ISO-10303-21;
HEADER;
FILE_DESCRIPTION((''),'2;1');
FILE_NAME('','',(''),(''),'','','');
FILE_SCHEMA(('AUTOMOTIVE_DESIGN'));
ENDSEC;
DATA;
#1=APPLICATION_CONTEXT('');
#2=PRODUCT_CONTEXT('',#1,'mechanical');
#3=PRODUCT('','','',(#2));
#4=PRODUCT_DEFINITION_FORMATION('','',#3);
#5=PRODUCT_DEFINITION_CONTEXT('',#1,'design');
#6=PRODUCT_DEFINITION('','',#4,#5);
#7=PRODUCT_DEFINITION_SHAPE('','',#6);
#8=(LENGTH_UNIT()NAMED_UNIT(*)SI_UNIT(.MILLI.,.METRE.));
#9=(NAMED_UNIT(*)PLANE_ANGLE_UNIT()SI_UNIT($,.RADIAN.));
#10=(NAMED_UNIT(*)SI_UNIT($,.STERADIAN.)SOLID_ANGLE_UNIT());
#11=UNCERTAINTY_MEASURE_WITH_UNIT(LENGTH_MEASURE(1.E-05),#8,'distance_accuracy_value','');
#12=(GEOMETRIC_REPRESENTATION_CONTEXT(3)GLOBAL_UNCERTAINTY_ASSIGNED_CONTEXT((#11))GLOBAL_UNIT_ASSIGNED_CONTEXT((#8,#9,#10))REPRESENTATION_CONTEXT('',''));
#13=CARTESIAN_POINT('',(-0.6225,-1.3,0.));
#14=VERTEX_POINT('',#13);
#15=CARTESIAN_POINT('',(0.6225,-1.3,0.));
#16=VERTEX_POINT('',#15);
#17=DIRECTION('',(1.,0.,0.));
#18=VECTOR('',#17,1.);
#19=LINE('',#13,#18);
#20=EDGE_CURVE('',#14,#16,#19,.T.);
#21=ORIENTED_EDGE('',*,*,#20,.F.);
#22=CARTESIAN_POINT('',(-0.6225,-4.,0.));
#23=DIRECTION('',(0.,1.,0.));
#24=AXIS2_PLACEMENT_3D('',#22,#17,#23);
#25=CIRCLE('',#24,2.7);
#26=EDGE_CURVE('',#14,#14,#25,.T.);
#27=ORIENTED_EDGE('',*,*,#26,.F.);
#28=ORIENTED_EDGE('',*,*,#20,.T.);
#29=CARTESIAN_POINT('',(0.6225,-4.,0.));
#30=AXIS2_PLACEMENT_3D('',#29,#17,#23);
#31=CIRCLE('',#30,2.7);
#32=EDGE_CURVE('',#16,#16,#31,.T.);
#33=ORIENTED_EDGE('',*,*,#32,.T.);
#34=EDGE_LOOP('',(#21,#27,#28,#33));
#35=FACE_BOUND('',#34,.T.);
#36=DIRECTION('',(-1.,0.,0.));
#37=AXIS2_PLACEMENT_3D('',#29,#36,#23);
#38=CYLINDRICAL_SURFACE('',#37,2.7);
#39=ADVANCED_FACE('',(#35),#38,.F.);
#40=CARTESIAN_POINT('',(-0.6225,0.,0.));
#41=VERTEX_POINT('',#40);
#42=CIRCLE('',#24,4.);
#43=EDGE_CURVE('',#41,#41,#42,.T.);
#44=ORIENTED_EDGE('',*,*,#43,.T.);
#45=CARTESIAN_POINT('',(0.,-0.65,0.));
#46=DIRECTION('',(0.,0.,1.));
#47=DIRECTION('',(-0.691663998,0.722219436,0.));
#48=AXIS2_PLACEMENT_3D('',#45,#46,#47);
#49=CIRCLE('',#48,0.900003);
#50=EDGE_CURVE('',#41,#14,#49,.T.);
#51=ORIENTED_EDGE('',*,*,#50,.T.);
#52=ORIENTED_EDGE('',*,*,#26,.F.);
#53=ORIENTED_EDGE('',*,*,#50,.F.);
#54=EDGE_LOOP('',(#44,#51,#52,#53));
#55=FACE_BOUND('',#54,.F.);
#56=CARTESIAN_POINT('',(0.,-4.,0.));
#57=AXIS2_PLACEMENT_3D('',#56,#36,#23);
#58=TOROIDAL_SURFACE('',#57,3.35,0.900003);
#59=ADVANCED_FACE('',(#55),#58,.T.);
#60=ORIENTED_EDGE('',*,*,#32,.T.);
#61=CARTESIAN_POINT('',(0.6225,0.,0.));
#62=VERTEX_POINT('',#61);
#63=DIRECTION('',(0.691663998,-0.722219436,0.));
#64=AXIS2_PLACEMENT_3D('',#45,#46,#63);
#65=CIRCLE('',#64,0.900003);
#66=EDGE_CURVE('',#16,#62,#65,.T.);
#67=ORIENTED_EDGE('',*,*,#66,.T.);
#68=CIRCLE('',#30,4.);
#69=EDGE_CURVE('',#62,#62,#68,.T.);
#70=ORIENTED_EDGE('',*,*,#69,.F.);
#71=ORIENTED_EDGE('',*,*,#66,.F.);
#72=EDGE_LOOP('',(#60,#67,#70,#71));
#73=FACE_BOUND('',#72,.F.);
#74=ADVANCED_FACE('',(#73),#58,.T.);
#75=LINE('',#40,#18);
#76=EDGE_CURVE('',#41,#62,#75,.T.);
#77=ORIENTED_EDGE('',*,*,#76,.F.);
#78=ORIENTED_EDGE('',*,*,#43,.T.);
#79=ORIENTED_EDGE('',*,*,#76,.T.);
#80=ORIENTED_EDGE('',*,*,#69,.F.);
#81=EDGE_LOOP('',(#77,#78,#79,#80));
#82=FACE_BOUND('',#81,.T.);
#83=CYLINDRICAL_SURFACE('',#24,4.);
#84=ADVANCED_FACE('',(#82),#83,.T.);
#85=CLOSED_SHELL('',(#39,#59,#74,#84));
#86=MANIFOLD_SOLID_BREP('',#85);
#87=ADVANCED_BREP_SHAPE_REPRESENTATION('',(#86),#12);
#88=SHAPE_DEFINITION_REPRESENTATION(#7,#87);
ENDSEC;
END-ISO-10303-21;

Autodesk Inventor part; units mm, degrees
ref_plane "YZ Plane" through (0, 0, 0) normal (1, 0, 0) x (0, 1, 0)
ref_plane "XZ Plane" through (0, 0, 0) normal (0, 1, 0) x (-1, 0, 0)
ref_plane "XY Plane" through (0, 0, 0) normal (0, 0, 1) x (1, 0, 0)
sketch "Sketch1" plane through (0, 0, 0) normal (0, 0, 1) x (1, 0, 0)
  line L0 (-0.6225, 0) -> (0.6225, 0)
  line L1 (-2.4121, 0) -> (3.0062, 0) projected
  line L2 (0.6225, -1.3) -> (-0.6225, -1.3)
  arc A0 (-0.6225, 0) -> (-0.6225, -1.3) centre (0, -0.65) ccw
  line L3 (-1.6381, -4) -> (2.2322, -4)
  line L4 (0, 1.8) -> (0, -10.8) projected
  arc A1 (0.6225, -1.3) -> (0.6225, 0) centre (0, -0.65) ccw
  line L5 (0, 0) -> (0, 0) construction
  dimension "d0" = 5.4
  dimension "d1" = 0.65
  dimension "d2" = 8
  dimension "d3" = 0.9
revolve "Body" add sketch "Sketch1" angle 360 about axis through (-1.6381, -4, 0) along (1, 0, 0)
equation "\"d0\" = NDOR"
equation "\"d1\" = -0.25 * NDOR + 0.25 * NND"
equation "\"d2\" = NND"
equation "\"d3\" = 0.5 * QDM"
equation "\"QDM\" = 1.8"
equation "\"NND\" = 8"
equation "\"NDOR\" = 5.4"
equation "\"R2\" = 0.2"
equation "\"NB3\" = 5.2"
equation "\"SD1\" = 5.15"
equation "\"R1\" = 0.3"
equation "\"NB2\" = 3.8"
equation "\"NB1\" = 2.4"
equation "\"BD\" = 7.88"
equation "\"NTOR\" = -0.5 * NDOR + 0.5 * NND"
properties part number "DIN 3771 - 5.15 x 1.8 - N - NBR 70" material "Rubber"
